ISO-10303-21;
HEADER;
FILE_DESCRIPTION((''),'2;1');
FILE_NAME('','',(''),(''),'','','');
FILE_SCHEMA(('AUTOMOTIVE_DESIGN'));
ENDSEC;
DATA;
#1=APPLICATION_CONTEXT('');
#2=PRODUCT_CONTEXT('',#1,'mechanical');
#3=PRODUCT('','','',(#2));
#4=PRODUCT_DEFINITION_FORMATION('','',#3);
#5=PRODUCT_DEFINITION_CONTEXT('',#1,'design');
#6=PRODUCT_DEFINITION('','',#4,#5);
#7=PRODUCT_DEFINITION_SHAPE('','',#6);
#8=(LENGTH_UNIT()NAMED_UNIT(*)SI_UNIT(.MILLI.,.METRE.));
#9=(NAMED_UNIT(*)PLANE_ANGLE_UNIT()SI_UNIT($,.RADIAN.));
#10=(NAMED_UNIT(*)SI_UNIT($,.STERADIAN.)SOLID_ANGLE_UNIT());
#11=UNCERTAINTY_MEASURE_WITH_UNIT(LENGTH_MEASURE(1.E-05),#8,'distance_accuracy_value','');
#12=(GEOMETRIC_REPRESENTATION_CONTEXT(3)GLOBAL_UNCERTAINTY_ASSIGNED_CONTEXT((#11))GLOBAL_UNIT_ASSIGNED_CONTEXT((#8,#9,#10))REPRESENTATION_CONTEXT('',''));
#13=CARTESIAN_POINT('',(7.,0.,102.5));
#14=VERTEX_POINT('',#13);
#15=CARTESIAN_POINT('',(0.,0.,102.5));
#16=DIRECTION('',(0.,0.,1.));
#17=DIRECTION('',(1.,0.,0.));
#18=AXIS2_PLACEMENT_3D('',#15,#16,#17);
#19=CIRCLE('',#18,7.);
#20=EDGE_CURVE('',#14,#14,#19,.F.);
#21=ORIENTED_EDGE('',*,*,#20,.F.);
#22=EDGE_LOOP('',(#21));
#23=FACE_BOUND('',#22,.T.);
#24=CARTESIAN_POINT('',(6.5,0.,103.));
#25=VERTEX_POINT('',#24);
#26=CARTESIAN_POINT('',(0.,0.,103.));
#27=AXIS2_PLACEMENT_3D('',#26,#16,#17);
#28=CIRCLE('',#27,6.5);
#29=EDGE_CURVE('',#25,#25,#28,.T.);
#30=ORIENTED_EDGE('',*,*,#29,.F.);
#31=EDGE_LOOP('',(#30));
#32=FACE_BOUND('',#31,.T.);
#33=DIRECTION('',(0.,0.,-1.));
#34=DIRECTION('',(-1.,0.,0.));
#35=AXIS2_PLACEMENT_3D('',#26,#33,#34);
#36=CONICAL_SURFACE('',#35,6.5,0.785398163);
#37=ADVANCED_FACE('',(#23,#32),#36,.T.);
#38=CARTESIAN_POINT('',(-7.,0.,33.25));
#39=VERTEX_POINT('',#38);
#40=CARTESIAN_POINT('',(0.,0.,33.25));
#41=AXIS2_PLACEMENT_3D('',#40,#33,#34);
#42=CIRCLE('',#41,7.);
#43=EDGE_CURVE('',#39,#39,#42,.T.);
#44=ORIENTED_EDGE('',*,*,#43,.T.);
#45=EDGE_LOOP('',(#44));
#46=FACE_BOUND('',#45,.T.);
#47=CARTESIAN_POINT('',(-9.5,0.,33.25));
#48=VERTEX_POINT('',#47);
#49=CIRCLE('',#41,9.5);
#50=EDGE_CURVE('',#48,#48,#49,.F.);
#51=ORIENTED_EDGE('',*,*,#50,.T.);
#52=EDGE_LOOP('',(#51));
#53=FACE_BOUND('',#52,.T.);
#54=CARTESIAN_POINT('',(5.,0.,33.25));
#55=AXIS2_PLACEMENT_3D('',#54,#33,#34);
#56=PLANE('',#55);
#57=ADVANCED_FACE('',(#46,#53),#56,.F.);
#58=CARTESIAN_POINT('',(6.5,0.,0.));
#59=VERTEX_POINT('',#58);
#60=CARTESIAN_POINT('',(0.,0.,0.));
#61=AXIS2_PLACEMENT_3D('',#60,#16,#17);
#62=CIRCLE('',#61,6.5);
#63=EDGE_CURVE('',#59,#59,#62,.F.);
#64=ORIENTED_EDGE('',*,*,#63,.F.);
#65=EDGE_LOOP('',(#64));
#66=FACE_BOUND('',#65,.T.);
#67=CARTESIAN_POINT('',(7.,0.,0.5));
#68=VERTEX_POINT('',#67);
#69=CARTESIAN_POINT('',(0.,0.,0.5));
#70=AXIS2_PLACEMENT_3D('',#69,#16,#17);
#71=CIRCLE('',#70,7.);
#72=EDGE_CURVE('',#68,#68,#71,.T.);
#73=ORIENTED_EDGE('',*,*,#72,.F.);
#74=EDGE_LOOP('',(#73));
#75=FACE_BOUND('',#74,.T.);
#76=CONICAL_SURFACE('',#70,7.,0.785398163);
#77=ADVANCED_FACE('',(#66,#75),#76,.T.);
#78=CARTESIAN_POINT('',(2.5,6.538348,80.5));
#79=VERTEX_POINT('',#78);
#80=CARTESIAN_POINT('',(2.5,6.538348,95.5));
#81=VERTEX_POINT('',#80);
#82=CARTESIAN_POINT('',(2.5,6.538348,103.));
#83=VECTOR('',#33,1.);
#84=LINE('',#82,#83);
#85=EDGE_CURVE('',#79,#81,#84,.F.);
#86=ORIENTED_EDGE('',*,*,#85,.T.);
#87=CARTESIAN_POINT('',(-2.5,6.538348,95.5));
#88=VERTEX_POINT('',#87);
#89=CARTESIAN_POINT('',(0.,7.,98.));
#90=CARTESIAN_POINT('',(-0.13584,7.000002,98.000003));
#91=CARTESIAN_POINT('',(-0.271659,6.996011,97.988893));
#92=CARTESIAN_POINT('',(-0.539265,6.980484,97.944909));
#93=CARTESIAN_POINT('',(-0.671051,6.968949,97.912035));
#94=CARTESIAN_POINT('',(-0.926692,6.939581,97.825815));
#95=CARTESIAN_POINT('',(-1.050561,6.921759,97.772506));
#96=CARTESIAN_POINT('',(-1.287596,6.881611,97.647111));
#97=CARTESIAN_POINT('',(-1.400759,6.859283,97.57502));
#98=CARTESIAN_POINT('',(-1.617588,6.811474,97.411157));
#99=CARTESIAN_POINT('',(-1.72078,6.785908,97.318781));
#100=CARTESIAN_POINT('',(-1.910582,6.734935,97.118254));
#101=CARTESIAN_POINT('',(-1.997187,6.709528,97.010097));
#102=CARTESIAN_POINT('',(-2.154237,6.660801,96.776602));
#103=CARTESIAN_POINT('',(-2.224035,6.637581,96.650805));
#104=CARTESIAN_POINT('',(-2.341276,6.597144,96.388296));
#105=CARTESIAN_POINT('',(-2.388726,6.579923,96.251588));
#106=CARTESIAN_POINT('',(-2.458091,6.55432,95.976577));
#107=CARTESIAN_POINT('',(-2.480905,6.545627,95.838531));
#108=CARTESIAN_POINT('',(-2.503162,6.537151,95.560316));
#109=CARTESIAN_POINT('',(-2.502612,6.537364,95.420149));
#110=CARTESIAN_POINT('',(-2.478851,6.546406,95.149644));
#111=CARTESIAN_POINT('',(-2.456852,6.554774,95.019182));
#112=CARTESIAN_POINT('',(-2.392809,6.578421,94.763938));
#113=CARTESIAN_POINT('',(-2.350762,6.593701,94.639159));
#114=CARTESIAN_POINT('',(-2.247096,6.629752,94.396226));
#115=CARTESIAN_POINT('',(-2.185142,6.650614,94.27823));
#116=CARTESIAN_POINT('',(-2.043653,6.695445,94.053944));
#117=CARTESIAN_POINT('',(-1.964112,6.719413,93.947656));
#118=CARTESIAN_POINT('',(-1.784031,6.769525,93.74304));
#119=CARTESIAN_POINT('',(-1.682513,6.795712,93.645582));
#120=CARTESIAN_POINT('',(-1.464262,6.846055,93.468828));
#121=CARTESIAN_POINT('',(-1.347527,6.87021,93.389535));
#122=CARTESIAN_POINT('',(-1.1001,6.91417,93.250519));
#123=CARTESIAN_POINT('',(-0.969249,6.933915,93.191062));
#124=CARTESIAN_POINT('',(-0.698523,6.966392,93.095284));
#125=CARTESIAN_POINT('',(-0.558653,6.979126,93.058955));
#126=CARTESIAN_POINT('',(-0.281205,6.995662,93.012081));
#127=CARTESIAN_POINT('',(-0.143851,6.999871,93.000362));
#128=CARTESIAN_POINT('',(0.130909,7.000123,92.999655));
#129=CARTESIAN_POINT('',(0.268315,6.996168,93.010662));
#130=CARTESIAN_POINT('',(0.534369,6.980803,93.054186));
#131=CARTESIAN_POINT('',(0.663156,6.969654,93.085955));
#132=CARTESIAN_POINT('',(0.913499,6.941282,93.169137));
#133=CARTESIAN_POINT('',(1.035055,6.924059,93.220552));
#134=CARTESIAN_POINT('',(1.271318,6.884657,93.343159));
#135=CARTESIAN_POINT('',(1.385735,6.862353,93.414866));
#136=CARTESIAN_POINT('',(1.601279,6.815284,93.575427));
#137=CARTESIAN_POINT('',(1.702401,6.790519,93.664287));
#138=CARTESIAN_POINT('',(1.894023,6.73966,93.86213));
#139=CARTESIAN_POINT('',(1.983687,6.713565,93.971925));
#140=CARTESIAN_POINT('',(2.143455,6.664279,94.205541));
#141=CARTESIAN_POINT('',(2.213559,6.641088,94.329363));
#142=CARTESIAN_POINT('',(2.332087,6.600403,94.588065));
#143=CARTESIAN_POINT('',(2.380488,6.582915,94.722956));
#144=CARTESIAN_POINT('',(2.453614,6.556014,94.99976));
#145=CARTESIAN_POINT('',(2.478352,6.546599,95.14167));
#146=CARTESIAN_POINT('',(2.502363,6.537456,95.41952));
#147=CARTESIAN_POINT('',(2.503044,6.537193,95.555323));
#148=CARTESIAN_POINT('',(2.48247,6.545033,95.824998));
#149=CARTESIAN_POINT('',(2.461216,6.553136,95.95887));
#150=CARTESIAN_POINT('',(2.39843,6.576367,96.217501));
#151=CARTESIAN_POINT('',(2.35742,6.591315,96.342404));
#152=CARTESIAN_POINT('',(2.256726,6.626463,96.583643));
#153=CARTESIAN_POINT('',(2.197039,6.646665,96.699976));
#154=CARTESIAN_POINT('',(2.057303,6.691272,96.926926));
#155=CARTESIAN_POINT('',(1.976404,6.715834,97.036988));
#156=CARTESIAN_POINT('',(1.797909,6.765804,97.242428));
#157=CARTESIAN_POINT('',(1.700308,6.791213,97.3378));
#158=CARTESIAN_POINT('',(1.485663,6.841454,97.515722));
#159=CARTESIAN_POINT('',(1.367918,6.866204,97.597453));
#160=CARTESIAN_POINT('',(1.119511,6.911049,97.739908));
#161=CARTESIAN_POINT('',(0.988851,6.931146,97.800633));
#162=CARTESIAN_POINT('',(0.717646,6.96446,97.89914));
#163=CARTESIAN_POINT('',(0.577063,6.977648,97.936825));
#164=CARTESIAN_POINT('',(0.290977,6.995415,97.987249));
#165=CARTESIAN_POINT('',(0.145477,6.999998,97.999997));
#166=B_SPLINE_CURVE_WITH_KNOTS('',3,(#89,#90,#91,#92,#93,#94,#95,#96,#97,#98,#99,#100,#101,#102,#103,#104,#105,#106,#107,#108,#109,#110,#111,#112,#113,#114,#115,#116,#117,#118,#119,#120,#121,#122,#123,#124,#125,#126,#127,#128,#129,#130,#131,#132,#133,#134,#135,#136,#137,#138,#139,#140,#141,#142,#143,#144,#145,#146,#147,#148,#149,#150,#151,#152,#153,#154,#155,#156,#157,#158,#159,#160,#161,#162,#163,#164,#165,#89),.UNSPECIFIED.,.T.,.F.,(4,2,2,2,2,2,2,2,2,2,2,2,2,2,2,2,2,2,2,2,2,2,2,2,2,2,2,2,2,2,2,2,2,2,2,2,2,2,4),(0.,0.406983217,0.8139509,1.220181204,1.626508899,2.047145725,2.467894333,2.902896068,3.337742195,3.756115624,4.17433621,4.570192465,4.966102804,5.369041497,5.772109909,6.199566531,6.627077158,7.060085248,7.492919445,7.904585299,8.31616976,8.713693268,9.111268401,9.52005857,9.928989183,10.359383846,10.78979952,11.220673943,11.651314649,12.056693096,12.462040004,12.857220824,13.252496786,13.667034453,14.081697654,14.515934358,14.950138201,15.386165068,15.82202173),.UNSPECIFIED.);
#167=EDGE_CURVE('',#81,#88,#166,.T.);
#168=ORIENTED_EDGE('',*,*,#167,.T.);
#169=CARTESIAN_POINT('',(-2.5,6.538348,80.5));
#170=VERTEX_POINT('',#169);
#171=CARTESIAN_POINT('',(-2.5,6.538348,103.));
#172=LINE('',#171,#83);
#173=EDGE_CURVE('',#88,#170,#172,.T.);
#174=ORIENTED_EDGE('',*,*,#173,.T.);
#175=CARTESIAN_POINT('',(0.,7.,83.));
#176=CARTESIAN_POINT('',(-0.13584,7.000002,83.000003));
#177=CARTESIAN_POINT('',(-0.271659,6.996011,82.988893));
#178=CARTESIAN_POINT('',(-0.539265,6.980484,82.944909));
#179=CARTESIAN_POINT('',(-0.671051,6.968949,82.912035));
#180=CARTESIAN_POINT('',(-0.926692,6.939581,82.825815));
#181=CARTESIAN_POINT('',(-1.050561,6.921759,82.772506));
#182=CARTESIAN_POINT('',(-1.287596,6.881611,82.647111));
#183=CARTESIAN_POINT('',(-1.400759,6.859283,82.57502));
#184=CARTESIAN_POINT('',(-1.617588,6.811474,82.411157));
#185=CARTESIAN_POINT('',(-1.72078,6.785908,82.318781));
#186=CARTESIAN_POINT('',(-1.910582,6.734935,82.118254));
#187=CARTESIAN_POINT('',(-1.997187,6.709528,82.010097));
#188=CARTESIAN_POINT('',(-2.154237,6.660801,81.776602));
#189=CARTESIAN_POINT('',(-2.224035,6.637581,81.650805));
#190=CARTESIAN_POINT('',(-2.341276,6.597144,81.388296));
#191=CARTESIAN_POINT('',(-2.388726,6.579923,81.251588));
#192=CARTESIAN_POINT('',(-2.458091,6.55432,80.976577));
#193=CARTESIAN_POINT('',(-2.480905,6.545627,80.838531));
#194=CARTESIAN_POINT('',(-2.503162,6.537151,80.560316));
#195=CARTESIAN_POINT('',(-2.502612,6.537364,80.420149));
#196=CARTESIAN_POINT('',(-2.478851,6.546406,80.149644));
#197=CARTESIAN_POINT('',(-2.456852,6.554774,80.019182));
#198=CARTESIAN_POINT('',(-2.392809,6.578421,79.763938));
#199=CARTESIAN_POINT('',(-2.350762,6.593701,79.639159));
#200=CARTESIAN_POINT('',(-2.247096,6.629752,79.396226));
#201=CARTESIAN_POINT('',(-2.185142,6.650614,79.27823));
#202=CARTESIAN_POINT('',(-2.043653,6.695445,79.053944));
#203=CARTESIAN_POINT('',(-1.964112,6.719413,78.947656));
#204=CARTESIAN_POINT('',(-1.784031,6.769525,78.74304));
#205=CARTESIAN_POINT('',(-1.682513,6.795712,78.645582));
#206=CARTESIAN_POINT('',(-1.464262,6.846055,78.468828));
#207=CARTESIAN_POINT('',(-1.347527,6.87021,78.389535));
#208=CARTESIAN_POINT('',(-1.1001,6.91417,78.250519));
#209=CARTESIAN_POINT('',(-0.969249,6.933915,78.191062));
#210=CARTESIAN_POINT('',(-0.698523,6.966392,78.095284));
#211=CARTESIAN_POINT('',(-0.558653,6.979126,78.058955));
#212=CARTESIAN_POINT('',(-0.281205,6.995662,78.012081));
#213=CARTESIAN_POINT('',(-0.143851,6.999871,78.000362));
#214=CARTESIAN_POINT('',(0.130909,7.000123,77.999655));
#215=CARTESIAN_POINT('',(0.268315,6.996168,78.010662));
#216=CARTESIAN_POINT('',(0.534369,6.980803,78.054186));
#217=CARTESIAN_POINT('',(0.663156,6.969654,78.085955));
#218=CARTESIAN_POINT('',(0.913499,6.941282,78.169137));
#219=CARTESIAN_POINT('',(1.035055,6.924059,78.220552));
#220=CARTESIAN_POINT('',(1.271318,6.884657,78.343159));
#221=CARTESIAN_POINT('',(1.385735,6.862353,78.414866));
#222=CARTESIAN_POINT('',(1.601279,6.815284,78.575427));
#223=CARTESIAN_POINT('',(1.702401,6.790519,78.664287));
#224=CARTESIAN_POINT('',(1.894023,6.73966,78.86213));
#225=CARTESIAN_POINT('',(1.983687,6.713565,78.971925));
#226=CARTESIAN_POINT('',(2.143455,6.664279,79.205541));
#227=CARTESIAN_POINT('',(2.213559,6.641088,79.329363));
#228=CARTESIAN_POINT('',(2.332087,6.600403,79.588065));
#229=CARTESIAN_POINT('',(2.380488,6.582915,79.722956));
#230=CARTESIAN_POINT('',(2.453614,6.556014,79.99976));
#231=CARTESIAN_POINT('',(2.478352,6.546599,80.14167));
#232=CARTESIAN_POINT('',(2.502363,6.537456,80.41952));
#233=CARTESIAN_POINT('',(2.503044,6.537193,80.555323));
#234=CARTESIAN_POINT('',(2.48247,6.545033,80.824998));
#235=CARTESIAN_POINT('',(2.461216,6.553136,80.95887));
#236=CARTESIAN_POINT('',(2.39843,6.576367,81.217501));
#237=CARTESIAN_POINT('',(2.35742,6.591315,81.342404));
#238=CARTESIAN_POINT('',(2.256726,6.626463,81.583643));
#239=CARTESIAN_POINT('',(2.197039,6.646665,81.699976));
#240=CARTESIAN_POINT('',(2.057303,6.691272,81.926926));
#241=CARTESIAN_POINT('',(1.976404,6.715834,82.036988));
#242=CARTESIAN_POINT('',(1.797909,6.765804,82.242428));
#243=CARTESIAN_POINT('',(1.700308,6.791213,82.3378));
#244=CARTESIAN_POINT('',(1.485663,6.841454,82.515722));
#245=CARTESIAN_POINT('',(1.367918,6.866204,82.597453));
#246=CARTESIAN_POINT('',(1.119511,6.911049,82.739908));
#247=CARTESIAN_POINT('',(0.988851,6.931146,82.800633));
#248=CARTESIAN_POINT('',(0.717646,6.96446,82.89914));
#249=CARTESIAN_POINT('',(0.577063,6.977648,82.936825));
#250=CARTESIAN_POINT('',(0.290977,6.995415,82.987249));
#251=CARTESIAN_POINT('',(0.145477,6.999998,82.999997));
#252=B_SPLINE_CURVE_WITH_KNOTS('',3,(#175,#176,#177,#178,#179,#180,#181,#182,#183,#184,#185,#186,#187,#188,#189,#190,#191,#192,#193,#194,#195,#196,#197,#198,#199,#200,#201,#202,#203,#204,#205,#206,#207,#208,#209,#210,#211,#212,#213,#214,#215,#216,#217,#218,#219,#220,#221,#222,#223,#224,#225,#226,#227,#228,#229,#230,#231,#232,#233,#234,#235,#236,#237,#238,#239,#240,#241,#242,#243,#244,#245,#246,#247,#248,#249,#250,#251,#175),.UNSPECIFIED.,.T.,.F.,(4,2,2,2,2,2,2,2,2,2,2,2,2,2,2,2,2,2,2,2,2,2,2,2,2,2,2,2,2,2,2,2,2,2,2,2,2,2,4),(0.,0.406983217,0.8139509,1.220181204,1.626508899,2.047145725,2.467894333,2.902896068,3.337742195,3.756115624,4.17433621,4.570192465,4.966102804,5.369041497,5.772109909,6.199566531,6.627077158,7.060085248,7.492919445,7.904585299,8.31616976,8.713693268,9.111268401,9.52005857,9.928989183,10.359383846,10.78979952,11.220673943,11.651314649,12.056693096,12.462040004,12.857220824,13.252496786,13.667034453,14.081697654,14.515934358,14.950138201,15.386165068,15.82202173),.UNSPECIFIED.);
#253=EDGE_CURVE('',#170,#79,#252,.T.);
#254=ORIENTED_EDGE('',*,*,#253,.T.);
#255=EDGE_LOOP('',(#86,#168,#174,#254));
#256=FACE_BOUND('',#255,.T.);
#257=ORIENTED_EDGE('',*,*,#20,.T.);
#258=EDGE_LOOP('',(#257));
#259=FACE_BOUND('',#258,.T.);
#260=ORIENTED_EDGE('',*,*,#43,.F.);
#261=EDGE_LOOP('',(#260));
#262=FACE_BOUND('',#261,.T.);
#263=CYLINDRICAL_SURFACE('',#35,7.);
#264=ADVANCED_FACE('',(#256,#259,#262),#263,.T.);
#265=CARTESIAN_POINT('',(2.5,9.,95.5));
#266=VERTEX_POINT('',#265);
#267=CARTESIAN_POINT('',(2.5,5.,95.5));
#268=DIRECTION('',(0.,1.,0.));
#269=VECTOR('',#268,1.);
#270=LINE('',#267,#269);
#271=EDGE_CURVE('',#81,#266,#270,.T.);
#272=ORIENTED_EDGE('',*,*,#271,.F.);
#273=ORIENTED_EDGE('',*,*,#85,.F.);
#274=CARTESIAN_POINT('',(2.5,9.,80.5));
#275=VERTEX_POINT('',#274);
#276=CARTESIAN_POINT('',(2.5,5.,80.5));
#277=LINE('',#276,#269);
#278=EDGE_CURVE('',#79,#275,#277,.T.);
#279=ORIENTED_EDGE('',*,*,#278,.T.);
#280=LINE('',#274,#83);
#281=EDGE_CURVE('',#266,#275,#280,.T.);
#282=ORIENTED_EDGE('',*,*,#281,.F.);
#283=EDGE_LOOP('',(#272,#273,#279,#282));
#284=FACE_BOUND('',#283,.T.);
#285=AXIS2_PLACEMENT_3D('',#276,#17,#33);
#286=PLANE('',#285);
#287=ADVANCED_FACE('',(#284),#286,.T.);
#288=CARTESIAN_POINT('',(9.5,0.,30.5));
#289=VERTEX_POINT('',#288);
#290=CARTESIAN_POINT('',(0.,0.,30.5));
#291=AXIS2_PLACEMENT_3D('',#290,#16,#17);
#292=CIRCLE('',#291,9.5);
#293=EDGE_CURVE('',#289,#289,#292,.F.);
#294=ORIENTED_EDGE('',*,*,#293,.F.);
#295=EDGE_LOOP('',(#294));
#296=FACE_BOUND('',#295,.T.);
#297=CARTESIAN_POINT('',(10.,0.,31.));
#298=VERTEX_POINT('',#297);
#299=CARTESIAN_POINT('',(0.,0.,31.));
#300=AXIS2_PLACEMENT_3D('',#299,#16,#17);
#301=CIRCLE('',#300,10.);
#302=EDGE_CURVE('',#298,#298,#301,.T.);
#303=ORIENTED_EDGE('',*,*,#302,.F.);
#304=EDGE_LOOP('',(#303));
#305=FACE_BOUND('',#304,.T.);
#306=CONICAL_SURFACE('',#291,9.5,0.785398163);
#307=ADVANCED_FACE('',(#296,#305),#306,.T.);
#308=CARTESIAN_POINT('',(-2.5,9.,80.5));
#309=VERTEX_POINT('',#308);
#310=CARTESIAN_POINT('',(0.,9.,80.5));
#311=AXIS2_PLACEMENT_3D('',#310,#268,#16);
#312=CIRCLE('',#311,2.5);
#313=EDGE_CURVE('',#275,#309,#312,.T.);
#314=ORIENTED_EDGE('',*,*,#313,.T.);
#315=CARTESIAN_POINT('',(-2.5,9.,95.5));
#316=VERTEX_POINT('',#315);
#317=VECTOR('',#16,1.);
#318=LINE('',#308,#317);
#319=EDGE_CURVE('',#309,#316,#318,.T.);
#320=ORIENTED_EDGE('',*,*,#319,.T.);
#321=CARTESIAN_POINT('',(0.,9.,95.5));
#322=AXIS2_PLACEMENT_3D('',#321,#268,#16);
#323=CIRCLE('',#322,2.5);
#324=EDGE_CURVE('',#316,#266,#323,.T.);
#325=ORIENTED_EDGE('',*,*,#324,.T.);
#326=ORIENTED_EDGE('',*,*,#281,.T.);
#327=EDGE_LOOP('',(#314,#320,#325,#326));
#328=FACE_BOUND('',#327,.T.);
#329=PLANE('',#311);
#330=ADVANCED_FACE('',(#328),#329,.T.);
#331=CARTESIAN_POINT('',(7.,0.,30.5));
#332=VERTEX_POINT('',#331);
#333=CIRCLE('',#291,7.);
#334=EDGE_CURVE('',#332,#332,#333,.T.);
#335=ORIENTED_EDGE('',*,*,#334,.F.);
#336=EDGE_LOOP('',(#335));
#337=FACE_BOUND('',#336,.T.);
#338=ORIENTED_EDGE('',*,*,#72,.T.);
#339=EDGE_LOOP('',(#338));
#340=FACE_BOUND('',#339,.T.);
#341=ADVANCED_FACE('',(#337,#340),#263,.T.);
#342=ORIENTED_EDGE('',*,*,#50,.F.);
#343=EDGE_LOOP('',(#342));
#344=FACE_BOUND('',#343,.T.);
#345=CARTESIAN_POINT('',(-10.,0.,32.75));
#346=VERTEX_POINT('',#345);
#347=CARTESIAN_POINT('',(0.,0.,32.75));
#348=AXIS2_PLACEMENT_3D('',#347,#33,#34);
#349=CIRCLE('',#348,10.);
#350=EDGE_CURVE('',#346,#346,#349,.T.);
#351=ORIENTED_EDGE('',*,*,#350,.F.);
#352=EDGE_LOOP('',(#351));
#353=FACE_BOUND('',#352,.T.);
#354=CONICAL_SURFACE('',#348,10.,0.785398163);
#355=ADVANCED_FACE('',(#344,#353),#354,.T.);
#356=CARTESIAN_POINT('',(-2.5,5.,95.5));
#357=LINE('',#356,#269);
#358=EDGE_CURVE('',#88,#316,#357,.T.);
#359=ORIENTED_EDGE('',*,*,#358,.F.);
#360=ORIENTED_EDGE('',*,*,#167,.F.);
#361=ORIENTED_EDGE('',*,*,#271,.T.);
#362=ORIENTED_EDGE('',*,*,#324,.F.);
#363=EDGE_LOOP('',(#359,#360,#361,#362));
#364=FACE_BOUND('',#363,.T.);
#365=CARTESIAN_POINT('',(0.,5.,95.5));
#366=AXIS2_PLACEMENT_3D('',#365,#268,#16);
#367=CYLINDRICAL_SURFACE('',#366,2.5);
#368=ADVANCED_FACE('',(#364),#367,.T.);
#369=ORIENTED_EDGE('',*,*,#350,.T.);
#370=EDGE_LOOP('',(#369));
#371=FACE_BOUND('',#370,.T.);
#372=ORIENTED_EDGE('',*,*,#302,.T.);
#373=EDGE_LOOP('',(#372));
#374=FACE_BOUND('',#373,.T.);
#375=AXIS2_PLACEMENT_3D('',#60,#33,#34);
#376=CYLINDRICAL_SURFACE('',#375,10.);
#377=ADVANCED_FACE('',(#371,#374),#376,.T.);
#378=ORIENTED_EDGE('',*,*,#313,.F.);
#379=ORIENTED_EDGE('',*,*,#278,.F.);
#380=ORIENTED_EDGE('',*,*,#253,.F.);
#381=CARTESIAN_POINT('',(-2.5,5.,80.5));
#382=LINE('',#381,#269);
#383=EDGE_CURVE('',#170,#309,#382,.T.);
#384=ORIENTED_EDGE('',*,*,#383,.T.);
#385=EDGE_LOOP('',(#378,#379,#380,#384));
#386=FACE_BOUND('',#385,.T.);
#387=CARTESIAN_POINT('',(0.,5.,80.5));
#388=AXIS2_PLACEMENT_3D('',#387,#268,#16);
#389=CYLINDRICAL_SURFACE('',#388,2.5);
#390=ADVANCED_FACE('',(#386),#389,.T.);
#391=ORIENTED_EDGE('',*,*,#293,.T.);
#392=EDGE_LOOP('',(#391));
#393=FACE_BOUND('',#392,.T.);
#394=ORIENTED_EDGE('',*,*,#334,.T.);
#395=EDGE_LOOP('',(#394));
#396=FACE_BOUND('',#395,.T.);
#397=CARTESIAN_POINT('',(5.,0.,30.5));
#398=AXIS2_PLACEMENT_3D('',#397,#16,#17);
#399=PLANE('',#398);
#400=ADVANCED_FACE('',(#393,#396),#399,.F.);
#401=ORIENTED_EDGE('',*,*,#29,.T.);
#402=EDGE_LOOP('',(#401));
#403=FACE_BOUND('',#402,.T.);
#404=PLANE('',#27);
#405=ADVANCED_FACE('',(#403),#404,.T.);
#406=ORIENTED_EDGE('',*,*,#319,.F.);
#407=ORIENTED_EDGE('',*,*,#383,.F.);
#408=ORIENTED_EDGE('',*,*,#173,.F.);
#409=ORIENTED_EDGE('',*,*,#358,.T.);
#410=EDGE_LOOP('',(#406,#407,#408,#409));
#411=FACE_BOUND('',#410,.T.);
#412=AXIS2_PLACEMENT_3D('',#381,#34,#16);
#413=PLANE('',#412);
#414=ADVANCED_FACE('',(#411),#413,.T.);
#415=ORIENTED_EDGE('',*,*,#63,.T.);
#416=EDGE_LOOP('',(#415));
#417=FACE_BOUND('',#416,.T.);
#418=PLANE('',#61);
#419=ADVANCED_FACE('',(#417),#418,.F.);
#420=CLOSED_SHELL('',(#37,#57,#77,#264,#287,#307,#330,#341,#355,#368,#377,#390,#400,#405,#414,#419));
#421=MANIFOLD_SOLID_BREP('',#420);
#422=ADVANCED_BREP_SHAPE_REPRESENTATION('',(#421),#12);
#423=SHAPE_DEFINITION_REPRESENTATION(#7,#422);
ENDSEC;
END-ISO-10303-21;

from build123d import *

# Parameters (mm, degrees)
SKICA1_R                     = 7
P_IDAT_VYSUNUT_M1_DEPTH      = 103
SKICA2_W                     = 5
SKICA2_H                     = 2.75
ZKOSEN_1_SIZE                = 0.5
P_IDAT_VYSUNUT_M2_DEPTH      = 2
P_IDAT_VYSUNUT_M2_DEPTH_BACK = 2


with BuildPart() as part:
    # Skica1 → Přidat vysunutím1 (new body)
    with BuildSketch(Plane.XY):
        Circle(SKICA1_R)
    extrude(amount=P_IDAT_VYSUNUT_M1_DEPTH)

    # Skica2 → Rotovat1 (revolve)
    with BuildSketch(Plane(origin=(0, 0, 0), x_dir=(1, 0, 0), z_dir=(0, 1, 0))):
        with Locations((7.5, -31.875)):
            Rectangle(SKICA2_W, SKICA2_H)
    revolve(axis=Axis((0, 0, 0), (0, 0, 1)))

    # Zkosení1
    zkosen_1_edges = [part.edges().sort_by_distance(p)[0] for p in [
        (-7, 0, 103),
        (-7, 0, 0),
        (-10, 0, 30.5),
        (-10, 0, 33.25),
    ]]
    chamfer(zkosen_1_edges, length=ZKOSEN_1_SIZE)

    # Skica5 → Přidat vysunutím2 (add, two sides: drawn at the far end of the back side and taken through both)
    with BuildSketch(Plane(origin=(0, 7, 0), x_dir=(1, 0, 0), z_dir=(0, 1, 0)).offset(-P_IDAT_VYSUNUT_M2_DEPTH_BACK)):
        with BuildLine():
            Line((2.5, -80.5), (2.5, -95.5))
            ThreePointArc((2.5, -95.5), (0, -98), (-2.5, -95.5))
            Line((-2.5, -95.5), (-2.5, -80.5))
            ThreePointArc((-2.5, -80.5), (0, -78), (2.5, -80.5))
        make_face()
    extrude(amount=P_IDAT_VYSUNUT_M2_DEPTH + P_IDAT_VYSUNUT_M2_DEPTH_BACK)


solid = part.part
